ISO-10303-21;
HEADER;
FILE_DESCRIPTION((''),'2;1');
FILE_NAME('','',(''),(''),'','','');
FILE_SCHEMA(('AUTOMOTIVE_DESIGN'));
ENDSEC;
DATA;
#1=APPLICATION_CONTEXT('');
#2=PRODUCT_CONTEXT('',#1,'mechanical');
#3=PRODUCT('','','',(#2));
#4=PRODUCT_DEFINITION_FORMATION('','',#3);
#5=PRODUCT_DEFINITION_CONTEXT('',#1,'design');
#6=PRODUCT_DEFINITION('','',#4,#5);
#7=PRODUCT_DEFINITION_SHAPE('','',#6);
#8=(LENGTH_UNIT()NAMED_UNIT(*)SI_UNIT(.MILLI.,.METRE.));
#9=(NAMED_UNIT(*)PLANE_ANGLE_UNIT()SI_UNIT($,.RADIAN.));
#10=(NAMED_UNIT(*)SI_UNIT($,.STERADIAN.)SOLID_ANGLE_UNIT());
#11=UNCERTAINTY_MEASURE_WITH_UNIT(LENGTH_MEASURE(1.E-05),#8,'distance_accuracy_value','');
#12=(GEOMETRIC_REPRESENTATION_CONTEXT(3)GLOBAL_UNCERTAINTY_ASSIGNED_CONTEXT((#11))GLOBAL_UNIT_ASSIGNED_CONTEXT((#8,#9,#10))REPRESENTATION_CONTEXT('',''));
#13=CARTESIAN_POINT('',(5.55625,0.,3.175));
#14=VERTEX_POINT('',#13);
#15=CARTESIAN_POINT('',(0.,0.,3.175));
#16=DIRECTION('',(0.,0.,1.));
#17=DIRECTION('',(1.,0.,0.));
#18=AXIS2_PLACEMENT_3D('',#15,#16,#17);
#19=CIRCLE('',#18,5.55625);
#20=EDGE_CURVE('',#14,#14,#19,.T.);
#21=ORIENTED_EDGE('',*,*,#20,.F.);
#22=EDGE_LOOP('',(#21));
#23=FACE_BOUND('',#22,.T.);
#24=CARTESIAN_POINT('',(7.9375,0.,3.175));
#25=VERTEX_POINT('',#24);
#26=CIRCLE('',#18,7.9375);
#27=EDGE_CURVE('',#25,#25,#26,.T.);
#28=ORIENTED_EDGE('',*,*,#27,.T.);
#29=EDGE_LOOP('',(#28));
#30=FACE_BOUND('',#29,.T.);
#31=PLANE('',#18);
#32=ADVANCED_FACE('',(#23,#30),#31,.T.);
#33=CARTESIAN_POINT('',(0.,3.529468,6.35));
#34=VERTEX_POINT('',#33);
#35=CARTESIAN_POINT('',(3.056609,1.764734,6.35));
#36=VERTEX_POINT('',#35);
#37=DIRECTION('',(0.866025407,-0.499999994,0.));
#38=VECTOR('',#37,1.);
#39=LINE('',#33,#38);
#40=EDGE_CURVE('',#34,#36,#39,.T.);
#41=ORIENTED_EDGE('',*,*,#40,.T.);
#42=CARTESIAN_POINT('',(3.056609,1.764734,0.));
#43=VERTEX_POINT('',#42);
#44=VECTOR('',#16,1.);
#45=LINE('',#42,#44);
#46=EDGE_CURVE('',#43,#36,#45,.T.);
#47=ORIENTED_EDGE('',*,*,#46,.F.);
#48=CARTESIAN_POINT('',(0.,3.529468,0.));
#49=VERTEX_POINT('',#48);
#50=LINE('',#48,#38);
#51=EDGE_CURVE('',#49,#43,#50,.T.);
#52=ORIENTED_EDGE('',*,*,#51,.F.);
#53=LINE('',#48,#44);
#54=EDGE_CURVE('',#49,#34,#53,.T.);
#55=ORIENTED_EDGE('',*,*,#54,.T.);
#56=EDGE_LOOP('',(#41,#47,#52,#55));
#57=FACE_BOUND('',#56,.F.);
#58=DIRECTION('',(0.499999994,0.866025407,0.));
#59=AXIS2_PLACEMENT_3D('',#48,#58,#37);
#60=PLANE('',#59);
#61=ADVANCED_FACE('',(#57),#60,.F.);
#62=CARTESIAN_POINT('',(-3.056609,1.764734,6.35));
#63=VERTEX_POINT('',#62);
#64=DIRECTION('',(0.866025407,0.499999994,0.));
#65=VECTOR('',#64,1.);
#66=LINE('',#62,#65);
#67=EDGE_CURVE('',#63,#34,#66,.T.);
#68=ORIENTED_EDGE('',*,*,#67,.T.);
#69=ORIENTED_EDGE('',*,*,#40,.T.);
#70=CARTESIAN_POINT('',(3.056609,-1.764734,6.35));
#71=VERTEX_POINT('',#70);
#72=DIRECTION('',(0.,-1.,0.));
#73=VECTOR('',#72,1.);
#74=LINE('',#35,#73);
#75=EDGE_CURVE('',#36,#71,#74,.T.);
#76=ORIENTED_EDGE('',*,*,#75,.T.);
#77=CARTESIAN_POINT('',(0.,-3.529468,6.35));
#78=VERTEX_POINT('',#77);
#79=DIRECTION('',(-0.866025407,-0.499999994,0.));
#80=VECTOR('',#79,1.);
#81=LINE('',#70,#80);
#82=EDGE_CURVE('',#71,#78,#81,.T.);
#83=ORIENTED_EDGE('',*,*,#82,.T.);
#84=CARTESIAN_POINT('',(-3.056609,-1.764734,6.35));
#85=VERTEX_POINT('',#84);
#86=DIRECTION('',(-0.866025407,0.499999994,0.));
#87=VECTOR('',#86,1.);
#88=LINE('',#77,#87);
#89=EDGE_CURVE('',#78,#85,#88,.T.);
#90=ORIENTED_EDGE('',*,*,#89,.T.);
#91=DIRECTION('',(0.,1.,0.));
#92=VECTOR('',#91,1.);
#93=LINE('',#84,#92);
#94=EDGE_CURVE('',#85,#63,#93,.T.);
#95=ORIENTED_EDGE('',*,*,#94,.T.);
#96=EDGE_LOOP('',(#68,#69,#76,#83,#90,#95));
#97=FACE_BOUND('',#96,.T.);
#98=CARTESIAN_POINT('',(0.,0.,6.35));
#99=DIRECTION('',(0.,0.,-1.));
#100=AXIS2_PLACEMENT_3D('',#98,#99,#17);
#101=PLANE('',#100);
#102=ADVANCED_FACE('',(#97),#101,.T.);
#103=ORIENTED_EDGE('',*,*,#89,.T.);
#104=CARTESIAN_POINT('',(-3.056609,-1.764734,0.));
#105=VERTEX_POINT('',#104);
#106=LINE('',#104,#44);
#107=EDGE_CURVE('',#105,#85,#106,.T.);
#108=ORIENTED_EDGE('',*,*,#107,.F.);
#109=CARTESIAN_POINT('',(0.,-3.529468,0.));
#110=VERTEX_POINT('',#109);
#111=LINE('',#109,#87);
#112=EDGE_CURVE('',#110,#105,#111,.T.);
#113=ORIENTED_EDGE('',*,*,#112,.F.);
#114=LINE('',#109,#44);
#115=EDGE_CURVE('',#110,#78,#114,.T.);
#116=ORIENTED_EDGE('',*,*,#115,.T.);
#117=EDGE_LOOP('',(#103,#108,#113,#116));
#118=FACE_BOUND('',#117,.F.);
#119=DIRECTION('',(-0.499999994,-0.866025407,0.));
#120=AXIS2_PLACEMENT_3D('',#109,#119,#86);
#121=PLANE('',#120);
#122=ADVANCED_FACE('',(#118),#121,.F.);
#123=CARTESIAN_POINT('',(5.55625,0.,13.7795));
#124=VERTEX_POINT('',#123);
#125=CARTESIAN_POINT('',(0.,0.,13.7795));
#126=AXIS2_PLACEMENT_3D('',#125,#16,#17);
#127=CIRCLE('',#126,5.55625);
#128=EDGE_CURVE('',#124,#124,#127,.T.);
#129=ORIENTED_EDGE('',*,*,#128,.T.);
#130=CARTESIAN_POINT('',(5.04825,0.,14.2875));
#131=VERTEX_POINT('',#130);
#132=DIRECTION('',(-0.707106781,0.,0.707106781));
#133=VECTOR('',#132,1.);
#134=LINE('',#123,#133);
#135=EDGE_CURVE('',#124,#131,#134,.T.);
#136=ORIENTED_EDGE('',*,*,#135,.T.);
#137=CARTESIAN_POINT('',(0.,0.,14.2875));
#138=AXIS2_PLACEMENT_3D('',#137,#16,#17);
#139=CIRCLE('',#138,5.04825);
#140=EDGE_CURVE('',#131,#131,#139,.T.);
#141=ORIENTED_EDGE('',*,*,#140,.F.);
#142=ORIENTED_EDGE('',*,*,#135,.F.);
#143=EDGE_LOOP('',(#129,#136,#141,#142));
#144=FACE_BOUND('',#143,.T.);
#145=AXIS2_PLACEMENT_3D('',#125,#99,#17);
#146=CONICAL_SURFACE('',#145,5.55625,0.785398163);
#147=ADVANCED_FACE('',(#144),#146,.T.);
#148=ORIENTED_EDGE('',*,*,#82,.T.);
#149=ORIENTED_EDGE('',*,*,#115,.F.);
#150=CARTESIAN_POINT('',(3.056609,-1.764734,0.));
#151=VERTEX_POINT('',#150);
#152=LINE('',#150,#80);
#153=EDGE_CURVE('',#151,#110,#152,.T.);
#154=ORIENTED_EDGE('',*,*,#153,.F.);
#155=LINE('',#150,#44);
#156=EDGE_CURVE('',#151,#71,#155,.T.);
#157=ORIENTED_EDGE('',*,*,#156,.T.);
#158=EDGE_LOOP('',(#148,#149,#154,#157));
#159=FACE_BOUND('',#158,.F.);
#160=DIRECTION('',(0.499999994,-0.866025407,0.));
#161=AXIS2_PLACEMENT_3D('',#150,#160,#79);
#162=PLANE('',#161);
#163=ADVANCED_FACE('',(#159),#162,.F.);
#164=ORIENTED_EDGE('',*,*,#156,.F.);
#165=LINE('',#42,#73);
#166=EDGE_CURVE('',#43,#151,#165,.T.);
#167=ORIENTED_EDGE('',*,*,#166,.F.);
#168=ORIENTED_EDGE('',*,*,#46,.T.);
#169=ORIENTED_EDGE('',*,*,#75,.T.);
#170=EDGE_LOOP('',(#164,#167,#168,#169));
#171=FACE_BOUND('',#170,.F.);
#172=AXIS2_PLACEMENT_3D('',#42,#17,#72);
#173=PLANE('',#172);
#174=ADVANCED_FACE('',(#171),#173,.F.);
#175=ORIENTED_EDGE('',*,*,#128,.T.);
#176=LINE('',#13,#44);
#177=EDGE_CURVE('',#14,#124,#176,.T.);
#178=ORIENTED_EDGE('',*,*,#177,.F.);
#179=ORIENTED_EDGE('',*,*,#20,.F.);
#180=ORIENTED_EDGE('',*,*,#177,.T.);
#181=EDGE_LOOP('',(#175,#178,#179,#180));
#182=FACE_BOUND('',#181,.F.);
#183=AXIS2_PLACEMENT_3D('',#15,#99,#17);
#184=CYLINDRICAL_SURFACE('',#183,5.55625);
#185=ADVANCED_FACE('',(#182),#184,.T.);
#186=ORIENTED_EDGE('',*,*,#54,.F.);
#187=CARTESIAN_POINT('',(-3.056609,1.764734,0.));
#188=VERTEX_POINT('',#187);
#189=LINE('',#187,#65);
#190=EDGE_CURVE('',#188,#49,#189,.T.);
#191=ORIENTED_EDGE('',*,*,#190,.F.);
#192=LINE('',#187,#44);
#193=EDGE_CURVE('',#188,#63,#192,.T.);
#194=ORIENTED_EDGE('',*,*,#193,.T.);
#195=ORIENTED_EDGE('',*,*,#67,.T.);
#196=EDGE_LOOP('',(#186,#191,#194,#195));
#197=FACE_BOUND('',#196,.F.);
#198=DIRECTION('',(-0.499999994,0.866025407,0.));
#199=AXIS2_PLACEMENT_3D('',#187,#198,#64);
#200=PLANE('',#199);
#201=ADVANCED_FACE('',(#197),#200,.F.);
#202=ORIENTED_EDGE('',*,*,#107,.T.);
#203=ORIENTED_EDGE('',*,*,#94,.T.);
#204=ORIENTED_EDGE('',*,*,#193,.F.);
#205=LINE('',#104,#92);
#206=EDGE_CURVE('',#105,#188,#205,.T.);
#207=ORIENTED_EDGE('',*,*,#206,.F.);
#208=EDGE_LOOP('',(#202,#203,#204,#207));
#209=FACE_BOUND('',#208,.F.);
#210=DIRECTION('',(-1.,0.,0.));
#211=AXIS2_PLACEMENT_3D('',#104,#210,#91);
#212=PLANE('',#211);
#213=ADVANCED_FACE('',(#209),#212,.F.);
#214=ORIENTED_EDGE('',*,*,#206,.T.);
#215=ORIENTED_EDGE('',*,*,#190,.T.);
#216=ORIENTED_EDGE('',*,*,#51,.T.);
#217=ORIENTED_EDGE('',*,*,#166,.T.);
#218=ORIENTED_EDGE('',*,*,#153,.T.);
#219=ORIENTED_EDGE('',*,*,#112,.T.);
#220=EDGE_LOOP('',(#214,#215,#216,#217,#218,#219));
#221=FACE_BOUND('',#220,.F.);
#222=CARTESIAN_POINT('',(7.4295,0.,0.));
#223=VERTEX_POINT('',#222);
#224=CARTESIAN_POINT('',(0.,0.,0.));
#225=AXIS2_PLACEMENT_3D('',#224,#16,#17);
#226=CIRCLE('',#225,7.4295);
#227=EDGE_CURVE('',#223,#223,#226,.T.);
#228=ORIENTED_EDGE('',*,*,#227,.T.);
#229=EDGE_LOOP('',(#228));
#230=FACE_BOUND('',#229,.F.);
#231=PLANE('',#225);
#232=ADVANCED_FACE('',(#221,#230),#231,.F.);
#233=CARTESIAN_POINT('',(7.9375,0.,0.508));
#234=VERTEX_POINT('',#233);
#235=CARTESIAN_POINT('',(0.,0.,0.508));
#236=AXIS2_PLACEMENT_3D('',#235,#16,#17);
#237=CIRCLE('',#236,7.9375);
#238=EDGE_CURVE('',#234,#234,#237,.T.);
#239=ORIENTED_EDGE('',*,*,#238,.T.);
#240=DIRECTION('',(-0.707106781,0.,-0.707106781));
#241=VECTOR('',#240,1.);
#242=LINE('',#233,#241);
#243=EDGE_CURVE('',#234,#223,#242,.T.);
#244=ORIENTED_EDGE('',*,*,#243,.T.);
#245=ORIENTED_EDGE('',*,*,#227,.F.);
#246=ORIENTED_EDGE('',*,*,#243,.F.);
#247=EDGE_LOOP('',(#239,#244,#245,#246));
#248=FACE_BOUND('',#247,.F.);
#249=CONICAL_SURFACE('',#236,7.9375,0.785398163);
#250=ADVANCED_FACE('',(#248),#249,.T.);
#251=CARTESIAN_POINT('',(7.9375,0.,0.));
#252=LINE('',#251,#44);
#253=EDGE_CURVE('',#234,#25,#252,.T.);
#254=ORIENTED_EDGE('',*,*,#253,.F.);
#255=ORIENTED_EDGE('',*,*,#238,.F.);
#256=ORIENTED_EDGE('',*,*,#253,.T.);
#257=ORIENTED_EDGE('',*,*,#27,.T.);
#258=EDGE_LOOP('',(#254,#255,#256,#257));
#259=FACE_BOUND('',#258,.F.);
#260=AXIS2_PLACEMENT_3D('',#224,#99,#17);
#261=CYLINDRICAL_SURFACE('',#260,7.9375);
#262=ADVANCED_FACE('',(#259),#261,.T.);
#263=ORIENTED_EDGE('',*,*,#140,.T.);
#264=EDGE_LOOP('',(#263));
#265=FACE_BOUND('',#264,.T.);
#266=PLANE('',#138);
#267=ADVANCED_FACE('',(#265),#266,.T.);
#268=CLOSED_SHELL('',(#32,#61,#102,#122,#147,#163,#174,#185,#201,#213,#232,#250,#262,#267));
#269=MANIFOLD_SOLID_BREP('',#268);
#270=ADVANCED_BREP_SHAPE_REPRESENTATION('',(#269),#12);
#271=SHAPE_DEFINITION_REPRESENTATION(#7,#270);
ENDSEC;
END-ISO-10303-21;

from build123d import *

# Parameters (mm, degrees)
F0_R     = 7.9375
F1_DEPTH = 3.175
F2_R     = 5.55625
F3_DEPTH = 11.1125
F5_DEPTH = 6.35
F6_SIZE  = 0.508


with BuildPart() as f1:
    # F0 (on Top) → F1 (new body)
    with BuildSketch(Plane.XY):
        Circle(F0_R)
    extrude(amount=F1_DEPTH)

    # F2 (on face) → F3 (join)
    with BuildSketch(Plane.XY.offset(3.175)):
        Circle(F2_R)
    extrude(amount=F3_DEPTH)

    # F4 (on face) → F5 (cut)
    with BuildSketch(Plane(origin=(0, 0, 0), x_dir=(1, 0, 0), z_dir=(0, 0, -1))):
        Polygon((-3.056609, -1.764734), (0, -3.529468), (3.056609, -1.764734), (3.056609, 1.764734), (0, 3.529468), (-3.056609, 1.764734), align=None)
    extrude(amount=-F5_DEPTH, mode=Mode.SUBTRACT)

    # F6
    f6_edges = [f1.edges().sort_by_distance(p)[0] for p in [
        (-5.55625, 0, 14.2875),
        (-7.9375, 0, 0),
    ]]
    chamfer(f6_edges, length=F6_SIZE)


solid = f1.part
